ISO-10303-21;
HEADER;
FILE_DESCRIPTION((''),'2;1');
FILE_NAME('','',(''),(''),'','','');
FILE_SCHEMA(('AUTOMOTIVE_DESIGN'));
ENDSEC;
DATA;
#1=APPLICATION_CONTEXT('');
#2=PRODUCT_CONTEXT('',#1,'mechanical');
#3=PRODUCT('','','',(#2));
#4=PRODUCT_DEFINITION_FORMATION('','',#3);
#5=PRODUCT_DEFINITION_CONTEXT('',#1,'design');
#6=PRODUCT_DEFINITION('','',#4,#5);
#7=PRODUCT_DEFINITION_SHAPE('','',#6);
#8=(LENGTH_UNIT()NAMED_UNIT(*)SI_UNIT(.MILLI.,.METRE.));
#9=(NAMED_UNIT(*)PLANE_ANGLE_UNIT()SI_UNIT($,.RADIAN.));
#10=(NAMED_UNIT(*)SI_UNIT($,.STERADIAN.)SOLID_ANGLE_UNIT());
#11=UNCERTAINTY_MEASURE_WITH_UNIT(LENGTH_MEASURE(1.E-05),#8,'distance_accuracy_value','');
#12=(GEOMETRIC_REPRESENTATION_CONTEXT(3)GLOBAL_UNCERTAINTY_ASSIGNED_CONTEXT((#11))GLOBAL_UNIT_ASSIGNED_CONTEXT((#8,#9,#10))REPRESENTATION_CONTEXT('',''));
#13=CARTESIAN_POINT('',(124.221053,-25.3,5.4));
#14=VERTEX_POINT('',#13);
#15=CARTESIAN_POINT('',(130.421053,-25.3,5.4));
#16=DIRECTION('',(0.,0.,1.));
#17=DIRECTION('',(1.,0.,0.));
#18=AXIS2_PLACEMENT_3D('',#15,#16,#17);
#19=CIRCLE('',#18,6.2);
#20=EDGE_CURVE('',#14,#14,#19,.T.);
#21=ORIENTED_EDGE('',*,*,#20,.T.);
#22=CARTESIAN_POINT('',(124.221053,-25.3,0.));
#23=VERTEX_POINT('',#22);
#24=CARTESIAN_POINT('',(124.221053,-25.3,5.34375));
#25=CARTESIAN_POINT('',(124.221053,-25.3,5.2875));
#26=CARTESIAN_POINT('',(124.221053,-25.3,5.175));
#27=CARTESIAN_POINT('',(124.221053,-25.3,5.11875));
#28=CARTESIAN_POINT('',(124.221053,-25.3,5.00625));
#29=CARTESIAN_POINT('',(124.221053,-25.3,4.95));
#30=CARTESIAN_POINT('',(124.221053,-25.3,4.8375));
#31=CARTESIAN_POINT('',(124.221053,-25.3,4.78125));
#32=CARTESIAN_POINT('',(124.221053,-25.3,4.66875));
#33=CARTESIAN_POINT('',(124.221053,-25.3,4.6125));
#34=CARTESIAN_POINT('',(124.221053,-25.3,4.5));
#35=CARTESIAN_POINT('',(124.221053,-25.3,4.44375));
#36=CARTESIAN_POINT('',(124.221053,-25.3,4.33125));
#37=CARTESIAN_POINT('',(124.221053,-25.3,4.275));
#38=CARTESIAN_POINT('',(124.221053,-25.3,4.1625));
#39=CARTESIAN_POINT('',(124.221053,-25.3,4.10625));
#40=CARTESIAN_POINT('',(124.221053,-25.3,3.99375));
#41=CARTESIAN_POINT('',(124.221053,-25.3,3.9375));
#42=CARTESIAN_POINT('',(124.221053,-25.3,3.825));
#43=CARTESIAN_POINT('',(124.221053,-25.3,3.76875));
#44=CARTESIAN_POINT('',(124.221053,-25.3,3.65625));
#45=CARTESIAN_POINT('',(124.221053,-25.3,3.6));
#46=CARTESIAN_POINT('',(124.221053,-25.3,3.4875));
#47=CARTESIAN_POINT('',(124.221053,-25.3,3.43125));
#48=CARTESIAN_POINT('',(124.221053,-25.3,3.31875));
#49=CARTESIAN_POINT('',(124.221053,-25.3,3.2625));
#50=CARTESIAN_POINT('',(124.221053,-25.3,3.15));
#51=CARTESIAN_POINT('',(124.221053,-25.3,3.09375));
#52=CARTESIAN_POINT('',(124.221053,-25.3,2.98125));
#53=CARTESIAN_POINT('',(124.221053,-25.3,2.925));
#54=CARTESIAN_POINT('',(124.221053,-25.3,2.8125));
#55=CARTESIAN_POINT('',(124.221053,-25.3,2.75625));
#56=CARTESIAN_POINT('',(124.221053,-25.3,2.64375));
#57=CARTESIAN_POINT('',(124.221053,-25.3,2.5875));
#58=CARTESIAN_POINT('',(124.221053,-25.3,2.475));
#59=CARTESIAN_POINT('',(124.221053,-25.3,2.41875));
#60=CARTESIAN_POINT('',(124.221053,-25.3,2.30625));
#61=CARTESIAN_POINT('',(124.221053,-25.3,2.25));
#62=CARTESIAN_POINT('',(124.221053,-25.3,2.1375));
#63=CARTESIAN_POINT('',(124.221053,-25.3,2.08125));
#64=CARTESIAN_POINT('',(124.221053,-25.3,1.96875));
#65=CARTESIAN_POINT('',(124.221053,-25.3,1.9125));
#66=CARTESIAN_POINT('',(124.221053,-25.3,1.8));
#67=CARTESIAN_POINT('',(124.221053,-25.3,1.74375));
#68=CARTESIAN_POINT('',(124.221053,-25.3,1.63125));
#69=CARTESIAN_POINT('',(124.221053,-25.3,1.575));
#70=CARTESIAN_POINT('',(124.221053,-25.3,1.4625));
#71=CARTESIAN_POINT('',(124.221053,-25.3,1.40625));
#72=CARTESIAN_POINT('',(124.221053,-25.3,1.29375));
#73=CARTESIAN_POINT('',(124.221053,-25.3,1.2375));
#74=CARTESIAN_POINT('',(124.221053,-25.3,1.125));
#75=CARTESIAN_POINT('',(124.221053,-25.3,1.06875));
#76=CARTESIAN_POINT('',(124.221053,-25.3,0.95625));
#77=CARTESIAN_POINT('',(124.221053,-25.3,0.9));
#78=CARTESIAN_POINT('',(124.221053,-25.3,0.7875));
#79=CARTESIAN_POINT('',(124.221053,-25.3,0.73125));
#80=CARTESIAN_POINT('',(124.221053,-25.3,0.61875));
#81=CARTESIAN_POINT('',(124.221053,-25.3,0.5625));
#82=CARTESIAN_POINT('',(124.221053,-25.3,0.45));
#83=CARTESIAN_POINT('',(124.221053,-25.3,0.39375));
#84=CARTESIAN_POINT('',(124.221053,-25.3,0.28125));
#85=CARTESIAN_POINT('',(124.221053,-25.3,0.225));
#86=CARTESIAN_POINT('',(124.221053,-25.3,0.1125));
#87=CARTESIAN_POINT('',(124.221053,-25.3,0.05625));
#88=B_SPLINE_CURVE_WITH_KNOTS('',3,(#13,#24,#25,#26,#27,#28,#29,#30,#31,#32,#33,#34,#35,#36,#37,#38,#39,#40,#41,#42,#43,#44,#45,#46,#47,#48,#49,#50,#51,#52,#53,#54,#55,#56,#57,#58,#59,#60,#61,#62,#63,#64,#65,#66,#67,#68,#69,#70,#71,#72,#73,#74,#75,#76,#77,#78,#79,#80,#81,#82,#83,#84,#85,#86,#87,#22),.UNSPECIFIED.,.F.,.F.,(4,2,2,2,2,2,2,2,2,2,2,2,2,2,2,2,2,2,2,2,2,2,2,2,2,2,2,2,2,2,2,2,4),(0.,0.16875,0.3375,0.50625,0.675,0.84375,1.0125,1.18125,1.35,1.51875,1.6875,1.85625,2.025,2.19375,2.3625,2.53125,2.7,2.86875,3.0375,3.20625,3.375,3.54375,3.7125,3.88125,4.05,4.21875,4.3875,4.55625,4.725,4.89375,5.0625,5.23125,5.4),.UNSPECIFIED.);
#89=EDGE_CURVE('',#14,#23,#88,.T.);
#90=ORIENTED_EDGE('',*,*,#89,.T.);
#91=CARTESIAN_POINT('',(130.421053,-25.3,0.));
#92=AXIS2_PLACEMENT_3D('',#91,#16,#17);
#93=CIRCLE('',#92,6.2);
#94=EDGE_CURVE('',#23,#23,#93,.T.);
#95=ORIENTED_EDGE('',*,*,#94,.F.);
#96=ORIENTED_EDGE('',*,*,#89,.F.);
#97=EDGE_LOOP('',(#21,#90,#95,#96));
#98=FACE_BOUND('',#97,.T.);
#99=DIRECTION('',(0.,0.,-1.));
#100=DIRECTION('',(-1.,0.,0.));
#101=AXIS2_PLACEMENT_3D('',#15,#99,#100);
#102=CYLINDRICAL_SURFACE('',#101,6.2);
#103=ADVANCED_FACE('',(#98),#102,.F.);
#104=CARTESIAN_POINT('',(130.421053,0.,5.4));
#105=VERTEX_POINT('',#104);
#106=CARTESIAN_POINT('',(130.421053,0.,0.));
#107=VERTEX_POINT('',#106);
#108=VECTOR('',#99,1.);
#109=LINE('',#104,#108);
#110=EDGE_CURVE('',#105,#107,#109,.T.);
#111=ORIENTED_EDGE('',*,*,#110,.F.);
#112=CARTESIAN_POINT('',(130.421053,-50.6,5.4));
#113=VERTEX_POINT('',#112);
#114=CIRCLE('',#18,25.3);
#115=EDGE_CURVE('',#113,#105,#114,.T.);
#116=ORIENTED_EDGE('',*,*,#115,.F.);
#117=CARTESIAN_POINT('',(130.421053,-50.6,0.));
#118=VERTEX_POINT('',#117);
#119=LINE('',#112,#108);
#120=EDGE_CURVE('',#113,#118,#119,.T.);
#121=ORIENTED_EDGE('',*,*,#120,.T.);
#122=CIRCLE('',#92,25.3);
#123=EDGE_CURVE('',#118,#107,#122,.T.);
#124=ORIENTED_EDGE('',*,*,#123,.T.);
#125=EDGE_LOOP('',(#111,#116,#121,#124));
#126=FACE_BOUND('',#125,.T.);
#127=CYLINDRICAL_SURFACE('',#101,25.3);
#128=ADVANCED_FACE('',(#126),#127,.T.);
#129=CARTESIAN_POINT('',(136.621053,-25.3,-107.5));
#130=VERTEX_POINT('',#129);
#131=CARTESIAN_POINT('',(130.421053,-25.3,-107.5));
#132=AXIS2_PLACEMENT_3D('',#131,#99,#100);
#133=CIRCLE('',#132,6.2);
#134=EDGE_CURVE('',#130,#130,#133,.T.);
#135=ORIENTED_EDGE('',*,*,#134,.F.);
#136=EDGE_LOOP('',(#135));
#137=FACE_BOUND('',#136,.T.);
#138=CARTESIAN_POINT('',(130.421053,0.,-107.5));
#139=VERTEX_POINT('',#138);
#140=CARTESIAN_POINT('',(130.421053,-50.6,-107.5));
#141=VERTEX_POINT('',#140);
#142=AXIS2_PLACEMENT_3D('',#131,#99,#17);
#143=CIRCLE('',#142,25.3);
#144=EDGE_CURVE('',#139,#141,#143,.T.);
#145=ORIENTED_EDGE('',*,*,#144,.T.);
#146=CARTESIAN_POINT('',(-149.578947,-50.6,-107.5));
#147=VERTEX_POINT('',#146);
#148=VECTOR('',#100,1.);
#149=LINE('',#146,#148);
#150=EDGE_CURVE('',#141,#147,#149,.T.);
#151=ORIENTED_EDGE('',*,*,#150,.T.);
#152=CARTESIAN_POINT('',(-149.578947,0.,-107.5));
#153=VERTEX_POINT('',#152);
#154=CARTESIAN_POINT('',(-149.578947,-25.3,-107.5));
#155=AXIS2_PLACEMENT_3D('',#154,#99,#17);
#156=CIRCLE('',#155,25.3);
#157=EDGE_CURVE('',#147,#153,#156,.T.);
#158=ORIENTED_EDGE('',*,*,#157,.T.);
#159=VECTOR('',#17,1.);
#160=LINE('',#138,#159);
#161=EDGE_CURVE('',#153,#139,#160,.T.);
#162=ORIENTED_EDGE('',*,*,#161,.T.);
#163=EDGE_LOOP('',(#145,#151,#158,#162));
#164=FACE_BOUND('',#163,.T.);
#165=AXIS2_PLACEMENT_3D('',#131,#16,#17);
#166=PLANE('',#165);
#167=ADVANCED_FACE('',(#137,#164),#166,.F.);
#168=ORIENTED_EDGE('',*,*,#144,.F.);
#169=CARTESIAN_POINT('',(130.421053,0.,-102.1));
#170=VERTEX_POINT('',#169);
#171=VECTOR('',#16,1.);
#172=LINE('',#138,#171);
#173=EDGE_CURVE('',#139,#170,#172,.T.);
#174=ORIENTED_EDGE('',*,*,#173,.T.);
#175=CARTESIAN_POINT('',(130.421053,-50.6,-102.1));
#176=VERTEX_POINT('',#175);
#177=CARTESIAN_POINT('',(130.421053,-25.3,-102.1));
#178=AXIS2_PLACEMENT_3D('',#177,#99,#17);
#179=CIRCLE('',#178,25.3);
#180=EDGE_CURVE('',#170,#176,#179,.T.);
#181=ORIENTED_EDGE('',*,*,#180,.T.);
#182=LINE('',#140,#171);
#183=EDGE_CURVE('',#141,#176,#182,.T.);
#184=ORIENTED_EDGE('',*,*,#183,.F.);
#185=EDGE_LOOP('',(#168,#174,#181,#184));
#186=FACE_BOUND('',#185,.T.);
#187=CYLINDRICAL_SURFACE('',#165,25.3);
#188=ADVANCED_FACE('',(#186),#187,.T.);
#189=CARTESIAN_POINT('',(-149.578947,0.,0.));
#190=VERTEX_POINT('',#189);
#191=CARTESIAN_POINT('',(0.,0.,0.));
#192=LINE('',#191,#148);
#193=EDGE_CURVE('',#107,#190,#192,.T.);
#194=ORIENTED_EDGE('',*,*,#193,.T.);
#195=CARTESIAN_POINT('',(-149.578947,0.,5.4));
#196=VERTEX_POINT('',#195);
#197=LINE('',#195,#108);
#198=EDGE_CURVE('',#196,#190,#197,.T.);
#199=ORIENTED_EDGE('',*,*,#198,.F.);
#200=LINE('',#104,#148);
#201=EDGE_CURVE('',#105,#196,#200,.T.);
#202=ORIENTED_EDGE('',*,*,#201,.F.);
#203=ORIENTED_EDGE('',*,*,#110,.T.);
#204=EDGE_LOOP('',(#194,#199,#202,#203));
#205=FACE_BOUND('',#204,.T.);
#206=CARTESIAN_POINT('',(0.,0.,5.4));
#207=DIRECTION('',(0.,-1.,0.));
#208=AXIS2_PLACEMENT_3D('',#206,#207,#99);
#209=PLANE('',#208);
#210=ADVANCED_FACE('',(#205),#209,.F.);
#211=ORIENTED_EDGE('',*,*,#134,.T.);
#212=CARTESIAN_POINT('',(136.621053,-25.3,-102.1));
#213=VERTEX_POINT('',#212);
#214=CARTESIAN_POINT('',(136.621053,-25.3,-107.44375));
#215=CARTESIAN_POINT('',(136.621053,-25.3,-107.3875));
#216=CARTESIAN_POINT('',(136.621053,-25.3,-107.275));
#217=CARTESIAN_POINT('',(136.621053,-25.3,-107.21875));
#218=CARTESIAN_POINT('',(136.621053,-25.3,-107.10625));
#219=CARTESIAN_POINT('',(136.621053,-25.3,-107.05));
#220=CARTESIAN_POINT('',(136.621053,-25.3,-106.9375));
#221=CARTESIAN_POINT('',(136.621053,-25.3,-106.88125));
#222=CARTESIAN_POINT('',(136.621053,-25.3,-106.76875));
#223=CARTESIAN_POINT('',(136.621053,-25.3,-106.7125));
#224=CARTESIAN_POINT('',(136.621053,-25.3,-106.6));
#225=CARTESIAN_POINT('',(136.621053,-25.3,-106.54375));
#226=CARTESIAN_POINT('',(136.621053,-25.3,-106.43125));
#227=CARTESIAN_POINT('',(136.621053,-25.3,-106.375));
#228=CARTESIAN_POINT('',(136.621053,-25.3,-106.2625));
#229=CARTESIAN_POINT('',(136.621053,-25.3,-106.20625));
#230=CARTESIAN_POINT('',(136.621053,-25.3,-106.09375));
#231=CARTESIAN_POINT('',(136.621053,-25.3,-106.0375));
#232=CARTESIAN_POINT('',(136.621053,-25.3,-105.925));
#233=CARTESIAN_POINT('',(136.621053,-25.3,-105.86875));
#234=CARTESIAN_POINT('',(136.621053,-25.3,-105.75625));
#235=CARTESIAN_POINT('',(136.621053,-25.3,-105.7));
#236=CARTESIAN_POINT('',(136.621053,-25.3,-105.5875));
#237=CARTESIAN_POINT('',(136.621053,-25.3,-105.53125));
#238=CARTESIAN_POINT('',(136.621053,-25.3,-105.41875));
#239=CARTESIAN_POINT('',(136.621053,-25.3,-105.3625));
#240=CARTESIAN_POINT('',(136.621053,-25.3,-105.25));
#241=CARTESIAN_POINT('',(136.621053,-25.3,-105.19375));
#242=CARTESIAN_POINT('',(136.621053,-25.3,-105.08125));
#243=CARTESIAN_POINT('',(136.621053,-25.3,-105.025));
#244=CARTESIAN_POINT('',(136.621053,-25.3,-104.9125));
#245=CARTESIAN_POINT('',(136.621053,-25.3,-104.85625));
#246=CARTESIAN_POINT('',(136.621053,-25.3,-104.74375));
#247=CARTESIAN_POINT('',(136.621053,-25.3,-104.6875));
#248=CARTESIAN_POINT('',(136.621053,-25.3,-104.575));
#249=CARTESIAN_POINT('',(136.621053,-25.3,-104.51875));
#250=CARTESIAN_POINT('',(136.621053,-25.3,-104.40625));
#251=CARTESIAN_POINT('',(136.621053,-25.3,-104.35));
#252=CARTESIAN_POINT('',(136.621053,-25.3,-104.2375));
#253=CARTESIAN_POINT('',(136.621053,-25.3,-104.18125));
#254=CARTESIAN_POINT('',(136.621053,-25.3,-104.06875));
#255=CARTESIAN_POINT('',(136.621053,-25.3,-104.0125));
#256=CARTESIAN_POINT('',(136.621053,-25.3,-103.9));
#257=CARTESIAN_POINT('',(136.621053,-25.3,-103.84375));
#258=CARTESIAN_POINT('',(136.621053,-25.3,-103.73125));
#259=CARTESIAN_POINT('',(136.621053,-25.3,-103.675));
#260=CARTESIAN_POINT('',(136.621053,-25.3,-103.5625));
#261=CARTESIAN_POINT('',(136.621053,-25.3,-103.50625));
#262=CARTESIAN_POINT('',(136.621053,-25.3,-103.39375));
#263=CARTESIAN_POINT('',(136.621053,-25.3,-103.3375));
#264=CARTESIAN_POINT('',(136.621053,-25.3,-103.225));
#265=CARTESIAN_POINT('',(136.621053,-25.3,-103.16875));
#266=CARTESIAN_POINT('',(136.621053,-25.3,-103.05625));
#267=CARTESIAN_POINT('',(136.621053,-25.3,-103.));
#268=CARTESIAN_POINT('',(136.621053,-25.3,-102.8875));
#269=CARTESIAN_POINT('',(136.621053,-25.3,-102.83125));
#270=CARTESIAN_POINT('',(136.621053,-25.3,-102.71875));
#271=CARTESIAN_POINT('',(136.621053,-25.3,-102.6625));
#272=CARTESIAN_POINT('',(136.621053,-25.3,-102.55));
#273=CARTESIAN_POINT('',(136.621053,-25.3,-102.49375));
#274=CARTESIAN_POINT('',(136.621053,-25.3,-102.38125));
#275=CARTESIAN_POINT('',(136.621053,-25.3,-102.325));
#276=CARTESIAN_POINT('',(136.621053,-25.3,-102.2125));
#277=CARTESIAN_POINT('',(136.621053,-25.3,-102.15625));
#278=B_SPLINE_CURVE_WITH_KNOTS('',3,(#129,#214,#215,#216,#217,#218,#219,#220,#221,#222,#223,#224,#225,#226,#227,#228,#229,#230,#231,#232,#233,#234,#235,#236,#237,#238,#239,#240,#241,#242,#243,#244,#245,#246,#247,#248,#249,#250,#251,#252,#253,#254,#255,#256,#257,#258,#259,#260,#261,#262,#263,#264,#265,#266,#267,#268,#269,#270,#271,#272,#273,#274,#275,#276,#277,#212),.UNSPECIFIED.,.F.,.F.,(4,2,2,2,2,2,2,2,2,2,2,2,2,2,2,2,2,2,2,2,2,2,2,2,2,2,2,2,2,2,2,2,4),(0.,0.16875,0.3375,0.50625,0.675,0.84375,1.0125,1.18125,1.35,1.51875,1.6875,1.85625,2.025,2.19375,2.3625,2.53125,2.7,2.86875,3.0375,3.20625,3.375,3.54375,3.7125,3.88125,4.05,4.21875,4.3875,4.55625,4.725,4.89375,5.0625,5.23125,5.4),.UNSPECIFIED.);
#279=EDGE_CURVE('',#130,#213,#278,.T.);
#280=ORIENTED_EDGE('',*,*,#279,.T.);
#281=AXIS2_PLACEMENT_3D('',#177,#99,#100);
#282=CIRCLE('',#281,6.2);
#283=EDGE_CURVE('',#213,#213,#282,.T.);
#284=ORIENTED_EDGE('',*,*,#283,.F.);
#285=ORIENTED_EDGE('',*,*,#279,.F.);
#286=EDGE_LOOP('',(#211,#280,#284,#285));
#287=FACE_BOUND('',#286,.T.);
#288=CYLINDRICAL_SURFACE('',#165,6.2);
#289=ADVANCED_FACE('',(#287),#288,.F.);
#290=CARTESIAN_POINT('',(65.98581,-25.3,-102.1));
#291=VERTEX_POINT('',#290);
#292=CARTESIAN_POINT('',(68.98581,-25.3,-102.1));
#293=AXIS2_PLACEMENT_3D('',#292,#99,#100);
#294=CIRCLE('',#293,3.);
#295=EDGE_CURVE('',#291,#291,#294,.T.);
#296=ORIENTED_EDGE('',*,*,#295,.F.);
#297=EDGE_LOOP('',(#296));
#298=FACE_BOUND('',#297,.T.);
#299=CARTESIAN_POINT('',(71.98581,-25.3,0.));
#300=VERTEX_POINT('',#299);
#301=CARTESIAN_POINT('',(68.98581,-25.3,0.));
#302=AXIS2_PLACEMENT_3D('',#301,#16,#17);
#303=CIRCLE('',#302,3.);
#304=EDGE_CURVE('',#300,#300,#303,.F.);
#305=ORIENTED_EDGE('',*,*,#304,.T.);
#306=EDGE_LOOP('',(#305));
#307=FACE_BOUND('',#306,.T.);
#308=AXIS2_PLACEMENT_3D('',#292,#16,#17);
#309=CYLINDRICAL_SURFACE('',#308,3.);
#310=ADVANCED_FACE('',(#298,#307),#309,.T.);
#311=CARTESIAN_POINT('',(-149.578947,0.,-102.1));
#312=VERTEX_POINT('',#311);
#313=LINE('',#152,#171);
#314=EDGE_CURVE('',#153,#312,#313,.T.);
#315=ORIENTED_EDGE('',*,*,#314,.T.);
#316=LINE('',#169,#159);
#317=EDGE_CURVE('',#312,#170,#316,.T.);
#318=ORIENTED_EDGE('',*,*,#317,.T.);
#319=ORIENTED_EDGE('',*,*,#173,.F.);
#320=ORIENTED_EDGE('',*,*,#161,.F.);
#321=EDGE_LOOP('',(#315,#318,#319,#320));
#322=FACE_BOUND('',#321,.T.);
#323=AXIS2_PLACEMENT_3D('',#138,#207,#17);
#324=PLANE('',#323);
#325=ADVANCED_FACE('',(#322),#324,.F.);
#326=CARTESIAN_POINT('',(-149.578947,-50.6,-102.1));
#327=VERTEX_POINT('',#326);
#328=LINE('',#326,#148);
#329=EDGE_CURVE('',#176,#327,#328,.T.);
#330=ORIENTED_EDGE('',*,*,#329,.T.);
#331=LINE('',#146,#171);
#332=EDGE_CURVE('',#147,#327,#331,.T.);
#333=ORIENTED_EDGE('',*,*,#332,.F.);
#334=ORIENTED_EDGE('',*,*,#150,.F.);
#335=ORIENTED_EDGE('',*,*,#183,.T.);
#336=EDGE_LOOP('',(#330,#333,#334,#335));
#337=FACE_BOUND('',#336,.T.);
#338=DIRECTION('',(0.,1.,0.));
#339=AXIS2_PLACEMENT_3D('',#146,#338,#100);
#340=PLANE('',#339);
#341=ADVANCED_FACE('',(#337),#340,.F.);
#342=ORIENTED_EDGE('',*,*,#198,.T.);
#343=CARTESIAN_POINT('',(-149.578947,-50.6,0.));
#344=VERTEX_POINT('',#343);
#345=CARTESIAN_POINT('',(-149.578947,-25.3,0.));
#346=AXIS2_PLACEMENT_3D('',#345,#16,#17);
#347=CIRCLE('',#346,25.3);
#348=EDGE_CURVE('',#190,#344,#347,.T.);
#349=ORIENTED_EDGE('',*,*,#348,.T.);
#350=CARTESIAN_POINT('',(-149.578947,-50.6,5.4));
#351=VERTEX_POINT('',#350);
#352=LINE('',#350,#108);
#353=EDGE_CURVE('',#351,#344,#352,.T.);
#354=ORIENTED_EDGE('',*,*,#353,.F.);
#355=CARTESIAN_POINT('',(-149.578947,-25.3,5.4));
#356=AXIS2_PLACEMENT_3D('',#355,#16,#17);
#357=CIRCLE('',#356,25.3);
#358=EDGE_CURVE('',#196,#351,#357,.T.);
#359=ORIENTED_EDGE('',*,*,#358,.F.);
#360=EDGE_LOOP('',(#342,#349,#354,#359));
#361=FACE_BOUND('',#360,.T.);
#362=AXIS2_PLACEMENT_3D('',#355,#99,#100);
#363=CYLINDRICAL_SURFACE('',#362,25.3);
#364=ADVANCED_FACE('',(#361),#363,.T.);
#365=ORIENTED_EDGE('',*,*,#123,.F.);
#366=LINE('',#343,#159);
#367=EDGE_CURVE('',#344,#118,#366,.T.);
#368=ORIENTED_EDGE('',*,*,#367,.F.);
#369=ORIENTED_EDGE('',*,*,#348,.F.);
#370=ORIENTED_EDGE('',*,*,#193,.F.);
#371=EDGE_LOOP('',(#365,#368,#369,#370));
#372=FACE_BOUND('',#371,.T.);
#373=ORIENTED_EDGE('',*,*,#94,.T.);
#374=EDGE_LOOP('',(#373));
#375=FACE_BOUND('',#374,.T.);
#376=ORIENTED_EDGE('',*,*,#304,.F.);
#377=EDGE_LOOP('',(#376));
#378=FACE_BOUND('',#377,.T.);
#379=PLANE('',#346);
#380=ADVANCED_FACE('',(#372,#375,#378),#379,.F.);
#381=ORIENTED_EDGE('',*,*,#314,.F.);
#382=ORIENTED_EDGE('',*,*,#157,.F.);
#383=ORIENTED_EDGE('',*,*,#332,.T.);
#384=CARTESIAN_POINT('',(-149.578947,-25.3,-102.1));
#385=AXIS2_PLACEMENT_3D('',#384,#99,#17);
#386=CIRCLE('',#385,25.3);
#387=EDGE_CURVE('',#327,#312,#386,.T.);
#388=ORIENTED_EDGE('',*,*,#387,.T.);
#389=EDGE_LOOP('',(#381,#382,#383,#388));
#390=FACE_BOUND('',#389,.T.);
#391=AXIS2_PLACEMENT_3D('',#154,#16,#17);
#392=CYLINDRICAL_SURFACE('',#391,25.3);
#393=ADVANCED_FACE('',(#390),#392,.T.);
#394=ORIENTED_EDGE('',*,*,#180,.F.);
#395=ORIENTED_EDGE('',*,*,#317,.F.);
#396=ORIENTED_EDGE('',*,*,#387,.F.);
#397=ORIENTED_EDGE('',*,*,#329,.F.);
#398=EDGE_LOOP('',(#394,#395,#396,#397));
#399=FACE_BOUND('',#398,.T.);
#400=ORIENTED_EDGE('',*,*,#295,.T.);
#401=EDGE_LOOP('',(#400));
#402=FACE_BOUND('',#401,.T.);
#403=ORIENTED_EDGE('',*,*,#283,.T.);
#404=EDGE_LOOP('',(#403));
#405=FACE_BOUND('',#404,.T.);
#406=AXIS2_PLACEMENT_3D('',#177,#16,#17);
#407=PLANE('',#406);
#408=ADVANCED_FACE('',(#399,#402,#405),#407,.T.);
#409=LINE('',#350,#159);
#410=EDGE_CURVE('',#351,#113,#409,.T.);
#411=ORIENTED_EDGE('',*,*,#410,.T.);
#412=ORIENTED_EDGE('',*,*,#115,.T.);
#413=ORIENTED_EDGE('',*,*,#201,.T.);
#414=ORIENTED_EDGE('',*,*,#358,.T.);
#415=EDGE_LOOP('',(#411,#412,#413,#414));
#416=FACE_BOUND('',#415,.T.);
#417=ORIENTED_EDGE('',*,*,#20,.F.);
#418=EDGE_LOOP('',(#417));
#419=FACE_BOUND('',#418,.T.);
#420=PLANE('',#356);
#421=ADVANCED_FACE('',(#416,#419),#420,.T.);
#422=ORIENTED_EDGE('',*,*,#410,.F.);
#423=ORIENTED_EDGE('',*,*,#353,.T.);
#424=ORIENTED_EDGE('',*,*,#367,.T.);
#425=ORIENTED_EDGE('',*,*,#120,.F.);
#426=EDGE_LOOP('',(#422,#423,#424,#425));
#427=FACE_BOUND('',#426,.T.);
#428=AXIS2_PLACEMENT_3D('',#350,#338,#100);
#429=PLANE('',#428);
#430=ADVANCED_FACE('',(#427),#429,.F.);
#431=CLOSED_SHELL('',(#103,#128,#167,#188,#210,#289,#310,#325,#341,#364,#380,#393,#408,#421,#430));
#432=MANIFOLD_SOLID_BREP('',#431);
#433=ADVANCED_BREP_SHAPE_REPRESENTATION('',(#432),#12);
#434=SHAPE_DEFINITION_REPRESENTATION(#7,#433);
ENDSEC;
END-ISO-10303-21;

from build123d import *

# Parameters (mm, degrees)
SKETCH1_R           = 6.2
BOSS_EXTRUDE1_DEPTH = 5.4
SKETCH2_R           = 3
BOSS_EXTRUDE3_DEPTH = 102.1
BOSS_EXTRUDE4_START = 5.4
SKETCH4_R           = 6.2
BOSS_EXTRUDE4_DEPTH = 5.4


with BuildPart() as part:
    # Sketch1 → Boss-Extrude1 (new body)
    with BuildSketch(Plane.XY):
        with BuildLine():
            Line((0, 0), (-149.578947368, 0))
            ThreePointArc((-149.578947368, 0), (-174.878947368, -25.3), (-149.578947368, -50.6))
            Line((-149.578947368, -50.6), (130.421052632, -50.6))
            ThreePointArc((130.421052632, -50.6), (155.721052632, -25.3), (130.421052632, 0))
            Line((130.421052632, 0), (0, 0))
        make_face()
        with Locations(Location((130.421052632, -25.3, 0), (0, 0, 180))):
            Circle(SKETCH1_R, mode=Mode.SUBTRACT)
    extrude(amount=BOSS_EXTRUDE1_DEPTH)

    # Sketch2 → Boss-Extrude3 (add)
    with BuildSketch(Plane(origin=(0, 0, 0), x_dir=(-1, 0, 0), z_dir=(0, 0, -1))):
        with Locations(Location((-68.985809966, -25.3, 0), (0, 0, 180))):
            Circle(SKETCH2_R)
    extrude(amount=BOSS_EXTRUDE3_DEPTH)

    # Sketch4 → Boss-Extrude4 (add)
    with BuildSketch(Plane(origin=(0, 0, -102.1), x_dir=(-1, 0, 0), z_dir=(0, 0, -1)).offset(BOSS_EXTRUDE4_START)):
        with BuildLine():
            Line((-130.421052632, 0), (149.578947368, 0))
            ThreePointArc((149.578947368, 0), (174.878947368, -25.3), (149.578947368, -50.6))
            Line((149.578947368, -50.6), (-130.421052632, -50.6))
            ThreePointArc((-130.421052632, -50.6), (-155.721052632, -25.3), (-130.421052632, 0))
        make_face()
        with Locations((-130.421052632, -25.3)):
            Circle(SKETCH4_R, mode=Mode.SUBTRACT)
    extrude(amount=-BOSS_EXTRUDE4_DEPTH)


solid = part.part
